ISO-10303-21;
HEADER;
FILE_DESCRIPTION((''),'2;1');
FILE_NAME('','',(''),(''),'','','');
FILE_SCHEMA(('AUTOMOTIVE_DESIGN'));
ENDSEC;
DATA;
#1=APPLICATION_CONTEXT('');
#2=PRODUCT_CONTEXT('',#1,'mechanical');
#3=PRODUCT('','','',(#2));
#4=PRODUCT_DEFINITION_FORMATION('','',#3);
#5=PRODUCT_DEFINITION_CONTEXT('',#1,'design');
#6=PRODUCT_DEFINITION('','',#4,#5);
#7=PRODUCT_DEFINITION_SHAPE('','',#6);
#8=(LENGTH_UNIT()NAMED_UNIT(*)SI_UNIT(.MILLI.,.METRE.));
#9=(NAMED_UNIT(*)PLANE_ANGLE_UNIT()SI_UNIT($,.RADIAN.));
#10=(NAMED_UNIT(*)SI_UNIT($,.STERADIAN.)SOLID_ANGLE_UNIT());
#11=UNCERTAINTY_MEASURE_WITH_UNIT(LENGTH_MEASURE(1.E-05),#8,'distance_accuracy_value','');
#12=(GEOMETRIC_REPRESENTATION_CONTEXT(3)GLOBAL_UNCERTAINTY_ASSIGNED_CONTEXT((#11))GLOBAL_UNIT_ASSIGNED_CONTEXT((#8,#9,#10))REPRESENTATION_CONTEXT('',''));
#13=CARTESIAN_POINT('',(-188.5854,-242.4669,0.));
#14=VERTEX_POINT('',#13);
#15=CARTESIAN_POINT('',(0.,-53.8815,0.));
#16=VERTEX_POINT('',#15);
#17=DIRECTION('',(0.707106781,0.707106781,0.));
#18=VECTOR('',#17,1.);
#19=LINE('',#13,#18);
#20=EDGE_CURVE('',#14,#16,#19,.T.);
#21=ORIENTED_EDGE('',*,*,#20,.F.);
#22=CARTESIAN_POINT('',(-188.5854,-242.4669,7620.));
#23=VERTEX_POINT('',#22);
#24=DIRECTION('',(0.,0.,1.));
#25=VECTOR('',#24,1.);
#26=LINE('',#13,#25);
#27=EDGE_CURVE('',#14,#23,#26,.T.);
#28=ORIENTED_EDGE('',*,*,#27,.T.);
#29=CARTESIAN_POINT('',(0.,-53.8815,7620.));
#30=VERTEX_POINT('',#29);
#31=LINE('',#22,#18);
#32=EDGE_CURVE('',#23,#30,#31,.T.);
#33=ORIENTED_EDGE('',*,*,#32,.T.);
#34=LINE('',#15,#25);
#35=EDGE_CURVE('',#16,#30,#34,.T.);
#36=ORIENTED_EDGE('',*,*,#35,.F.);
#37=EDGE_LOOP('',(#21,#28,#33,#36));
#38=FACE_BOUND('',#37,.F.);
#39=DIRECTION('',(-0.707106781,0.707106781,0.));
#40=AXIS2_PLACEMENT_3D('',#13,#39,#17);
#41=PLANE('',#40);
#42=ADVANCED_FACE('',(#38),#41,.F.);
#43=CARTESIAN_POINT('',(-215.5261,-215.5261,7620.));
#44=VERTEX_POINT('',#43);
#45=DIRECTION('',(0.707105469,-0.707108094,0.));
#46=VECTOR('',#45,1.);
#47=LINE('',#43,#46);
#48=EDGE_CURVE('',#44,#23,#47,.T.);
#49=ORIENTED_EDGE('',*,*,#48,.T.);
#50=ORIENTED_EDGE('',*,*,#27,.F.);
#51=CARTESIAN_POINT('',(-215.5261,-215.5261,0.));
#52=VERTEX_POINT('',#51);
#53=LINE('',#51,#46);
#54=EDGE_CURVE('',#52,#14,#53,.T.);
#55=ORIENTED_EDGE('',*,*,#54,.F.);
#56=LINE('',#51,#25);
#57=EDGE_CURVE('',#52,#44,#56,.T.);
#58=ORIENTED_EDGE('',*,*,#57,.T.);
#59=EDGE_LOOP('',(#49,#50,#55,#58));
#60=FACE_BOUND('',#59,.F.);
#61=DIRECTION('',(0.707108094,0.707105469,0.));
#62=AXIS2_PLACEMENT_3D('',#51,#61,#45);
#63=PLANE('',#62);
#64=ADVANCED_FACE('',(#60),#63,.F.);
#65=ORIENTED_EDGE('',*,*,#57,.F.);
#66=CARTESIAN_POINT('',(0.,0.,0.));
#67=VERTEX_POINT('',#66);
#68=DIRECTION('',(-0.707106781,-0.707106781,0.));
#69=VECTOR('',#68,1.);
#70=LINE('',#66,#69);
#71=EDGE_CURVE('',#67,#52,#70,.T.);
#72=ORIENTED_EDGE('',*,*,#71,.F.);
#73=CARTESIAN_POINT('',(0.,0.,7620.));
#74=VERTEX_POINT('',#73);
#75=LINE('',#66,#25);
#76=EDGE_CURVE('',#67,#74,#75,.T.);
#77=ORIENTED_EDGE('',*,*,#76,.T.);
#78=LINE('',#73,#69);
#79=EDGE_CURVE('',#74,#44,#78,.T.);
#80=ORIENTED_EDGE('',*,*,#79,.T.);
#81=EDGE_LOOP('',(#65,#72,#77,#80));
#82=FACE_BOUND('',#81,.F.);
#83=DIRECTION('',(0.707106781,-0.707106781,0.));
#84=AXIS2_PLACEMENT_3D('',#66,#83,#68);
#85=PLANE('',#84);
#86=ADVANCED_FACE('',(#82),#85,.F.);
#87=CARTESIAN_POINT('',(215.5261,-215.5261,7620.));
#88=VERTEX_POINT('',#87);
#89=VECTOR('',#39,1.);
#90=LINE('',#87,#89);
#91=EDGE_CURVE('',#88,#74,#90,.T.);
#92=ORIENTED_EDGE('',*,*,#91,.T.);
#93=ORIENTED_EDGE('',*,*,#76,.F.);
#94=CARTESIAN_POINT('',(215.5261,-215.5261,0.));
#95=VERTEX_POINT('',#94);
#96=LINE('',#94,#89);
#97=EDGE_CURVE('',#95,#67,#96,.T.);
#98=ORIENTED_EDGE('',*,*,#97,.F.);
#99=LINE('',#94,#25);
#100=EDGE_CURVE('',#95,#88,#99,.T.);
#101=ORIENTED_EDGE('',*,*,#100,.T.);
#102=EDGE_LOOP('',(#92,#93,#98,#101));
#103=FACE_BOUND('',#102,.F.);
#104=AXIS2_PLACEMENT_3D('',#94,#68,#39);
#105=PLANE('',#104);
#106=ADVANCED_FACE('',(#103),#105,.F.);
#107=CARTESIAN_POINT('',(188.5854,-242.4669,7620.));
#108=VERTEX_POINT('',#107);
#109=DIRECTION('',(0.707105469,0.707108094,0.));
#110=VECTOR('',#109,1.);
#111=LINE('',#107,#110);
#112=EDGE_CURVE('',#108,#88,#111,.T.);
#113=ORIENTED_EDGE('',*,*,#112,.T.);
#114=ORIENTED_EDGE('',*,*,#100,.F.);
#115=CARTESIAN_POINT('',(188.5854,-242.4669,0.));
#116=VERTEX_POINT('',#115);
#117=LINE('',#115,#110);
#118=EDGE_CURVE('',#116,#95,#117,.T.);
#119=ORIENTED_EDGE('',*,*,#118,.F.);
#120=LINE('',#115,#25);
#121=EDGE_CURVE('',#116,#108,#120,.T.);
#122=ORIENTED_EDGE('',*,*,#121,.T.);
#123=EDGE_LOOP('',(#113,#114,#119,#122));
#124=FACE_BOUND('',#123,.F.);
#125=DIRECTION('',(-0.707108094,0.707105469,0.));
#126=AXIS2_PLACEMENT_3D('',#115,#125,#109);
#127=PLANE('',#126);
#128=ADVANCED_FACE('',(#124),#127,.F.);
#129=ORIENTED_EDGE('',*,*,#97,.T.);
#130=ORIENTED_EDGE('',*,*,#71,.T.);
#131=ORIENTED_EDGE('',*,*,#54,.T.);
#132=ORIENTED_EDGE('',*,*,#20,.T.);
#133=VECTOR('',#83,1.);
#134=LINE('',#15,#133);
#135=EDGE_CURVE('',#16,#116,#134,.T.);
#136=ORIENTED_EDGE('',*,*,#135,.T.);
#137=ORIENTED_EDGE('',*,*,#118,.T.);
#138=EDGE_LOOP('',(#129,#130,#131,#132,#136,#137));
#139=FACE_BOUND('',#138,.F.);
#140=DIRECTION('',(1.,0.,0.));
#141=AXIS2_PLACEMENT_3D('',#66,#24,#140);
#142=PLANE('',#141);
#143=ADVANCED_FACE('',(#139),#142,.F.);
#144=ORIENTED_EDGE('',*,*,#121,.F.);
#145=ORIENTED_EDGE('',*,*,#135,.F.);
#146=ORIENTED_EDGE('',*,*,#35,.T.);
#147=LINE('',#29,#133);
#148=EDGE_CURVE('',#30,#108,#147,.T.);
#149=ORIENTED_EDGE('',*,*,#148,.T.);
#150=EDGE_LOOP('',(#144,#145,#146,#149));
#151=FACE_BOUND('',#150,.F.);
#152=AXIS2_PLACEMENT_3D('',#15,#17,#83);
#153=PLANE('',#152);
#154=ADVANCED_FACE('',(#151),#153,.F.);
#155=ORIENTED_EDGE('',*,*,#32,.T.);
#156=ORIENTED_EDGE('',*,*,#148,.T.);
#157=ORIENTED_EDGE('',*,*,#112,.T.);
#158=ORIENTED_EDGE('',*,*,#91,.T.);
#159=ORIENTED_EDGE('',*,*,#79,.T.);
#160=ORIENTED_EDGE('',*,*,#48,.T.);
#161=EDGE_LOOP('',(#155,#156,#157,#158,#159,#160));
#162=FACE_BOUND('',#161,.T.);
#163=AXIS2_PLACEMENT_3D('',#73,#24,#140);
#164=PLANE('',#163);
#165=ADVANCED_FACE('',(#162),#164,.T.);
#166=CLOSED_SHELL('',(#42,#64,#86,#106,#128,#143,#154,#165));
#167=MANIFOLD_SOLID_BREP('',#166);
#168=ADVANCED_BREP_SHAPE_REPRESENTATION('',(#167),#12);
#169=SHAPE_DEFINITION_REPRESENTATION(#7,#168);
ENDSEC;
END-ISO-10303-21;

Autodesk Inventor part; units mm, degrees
ref_plane "YZ Plane" through (0, 0, 0) normal (1, 0, 0) x (0, 1, 0)
ref_plane "XZ Plane" through (0, 0, 0) normal (0, 1, 0) x (-1, 0, 0)
ref_plane "XY Plane" through (0, 0, 0) normal (0, 0, 1) x (1, 0, 0)
sketch "Sketch1" plane through (0, 0, 0) normal (0, 0, 1) x (1, 0, 0)
  line L0 (0, 0) -> (-215.5261, -215.5261)
  line L1 (-215.5261, -215.5261) -> (-188.5854, -242.4669)
  line L2 (-188.5854, -242.4669) -> (0, -53.8815)
  line L3 (0, -53.8815) -> (188.5854, -242.4669)
  line L4 (188.5854, -242.4669) -> (215.5261, -215.5261)
  line L5 (215.5261, -215.5261) -> (0, 0)
  line L6 (188.5854, -242.4669) -> (-188.5854, -242.4669)
  dimension "d0" = 38.1
  dimension "d1" = 304.8
extrude "Extrusion1" add sketch "Sketch1" along normal blind 7620 contours L5 L4 L3 L2 L1 L0
properties part number "Ridge_Vent" material "ABS Plastic"
